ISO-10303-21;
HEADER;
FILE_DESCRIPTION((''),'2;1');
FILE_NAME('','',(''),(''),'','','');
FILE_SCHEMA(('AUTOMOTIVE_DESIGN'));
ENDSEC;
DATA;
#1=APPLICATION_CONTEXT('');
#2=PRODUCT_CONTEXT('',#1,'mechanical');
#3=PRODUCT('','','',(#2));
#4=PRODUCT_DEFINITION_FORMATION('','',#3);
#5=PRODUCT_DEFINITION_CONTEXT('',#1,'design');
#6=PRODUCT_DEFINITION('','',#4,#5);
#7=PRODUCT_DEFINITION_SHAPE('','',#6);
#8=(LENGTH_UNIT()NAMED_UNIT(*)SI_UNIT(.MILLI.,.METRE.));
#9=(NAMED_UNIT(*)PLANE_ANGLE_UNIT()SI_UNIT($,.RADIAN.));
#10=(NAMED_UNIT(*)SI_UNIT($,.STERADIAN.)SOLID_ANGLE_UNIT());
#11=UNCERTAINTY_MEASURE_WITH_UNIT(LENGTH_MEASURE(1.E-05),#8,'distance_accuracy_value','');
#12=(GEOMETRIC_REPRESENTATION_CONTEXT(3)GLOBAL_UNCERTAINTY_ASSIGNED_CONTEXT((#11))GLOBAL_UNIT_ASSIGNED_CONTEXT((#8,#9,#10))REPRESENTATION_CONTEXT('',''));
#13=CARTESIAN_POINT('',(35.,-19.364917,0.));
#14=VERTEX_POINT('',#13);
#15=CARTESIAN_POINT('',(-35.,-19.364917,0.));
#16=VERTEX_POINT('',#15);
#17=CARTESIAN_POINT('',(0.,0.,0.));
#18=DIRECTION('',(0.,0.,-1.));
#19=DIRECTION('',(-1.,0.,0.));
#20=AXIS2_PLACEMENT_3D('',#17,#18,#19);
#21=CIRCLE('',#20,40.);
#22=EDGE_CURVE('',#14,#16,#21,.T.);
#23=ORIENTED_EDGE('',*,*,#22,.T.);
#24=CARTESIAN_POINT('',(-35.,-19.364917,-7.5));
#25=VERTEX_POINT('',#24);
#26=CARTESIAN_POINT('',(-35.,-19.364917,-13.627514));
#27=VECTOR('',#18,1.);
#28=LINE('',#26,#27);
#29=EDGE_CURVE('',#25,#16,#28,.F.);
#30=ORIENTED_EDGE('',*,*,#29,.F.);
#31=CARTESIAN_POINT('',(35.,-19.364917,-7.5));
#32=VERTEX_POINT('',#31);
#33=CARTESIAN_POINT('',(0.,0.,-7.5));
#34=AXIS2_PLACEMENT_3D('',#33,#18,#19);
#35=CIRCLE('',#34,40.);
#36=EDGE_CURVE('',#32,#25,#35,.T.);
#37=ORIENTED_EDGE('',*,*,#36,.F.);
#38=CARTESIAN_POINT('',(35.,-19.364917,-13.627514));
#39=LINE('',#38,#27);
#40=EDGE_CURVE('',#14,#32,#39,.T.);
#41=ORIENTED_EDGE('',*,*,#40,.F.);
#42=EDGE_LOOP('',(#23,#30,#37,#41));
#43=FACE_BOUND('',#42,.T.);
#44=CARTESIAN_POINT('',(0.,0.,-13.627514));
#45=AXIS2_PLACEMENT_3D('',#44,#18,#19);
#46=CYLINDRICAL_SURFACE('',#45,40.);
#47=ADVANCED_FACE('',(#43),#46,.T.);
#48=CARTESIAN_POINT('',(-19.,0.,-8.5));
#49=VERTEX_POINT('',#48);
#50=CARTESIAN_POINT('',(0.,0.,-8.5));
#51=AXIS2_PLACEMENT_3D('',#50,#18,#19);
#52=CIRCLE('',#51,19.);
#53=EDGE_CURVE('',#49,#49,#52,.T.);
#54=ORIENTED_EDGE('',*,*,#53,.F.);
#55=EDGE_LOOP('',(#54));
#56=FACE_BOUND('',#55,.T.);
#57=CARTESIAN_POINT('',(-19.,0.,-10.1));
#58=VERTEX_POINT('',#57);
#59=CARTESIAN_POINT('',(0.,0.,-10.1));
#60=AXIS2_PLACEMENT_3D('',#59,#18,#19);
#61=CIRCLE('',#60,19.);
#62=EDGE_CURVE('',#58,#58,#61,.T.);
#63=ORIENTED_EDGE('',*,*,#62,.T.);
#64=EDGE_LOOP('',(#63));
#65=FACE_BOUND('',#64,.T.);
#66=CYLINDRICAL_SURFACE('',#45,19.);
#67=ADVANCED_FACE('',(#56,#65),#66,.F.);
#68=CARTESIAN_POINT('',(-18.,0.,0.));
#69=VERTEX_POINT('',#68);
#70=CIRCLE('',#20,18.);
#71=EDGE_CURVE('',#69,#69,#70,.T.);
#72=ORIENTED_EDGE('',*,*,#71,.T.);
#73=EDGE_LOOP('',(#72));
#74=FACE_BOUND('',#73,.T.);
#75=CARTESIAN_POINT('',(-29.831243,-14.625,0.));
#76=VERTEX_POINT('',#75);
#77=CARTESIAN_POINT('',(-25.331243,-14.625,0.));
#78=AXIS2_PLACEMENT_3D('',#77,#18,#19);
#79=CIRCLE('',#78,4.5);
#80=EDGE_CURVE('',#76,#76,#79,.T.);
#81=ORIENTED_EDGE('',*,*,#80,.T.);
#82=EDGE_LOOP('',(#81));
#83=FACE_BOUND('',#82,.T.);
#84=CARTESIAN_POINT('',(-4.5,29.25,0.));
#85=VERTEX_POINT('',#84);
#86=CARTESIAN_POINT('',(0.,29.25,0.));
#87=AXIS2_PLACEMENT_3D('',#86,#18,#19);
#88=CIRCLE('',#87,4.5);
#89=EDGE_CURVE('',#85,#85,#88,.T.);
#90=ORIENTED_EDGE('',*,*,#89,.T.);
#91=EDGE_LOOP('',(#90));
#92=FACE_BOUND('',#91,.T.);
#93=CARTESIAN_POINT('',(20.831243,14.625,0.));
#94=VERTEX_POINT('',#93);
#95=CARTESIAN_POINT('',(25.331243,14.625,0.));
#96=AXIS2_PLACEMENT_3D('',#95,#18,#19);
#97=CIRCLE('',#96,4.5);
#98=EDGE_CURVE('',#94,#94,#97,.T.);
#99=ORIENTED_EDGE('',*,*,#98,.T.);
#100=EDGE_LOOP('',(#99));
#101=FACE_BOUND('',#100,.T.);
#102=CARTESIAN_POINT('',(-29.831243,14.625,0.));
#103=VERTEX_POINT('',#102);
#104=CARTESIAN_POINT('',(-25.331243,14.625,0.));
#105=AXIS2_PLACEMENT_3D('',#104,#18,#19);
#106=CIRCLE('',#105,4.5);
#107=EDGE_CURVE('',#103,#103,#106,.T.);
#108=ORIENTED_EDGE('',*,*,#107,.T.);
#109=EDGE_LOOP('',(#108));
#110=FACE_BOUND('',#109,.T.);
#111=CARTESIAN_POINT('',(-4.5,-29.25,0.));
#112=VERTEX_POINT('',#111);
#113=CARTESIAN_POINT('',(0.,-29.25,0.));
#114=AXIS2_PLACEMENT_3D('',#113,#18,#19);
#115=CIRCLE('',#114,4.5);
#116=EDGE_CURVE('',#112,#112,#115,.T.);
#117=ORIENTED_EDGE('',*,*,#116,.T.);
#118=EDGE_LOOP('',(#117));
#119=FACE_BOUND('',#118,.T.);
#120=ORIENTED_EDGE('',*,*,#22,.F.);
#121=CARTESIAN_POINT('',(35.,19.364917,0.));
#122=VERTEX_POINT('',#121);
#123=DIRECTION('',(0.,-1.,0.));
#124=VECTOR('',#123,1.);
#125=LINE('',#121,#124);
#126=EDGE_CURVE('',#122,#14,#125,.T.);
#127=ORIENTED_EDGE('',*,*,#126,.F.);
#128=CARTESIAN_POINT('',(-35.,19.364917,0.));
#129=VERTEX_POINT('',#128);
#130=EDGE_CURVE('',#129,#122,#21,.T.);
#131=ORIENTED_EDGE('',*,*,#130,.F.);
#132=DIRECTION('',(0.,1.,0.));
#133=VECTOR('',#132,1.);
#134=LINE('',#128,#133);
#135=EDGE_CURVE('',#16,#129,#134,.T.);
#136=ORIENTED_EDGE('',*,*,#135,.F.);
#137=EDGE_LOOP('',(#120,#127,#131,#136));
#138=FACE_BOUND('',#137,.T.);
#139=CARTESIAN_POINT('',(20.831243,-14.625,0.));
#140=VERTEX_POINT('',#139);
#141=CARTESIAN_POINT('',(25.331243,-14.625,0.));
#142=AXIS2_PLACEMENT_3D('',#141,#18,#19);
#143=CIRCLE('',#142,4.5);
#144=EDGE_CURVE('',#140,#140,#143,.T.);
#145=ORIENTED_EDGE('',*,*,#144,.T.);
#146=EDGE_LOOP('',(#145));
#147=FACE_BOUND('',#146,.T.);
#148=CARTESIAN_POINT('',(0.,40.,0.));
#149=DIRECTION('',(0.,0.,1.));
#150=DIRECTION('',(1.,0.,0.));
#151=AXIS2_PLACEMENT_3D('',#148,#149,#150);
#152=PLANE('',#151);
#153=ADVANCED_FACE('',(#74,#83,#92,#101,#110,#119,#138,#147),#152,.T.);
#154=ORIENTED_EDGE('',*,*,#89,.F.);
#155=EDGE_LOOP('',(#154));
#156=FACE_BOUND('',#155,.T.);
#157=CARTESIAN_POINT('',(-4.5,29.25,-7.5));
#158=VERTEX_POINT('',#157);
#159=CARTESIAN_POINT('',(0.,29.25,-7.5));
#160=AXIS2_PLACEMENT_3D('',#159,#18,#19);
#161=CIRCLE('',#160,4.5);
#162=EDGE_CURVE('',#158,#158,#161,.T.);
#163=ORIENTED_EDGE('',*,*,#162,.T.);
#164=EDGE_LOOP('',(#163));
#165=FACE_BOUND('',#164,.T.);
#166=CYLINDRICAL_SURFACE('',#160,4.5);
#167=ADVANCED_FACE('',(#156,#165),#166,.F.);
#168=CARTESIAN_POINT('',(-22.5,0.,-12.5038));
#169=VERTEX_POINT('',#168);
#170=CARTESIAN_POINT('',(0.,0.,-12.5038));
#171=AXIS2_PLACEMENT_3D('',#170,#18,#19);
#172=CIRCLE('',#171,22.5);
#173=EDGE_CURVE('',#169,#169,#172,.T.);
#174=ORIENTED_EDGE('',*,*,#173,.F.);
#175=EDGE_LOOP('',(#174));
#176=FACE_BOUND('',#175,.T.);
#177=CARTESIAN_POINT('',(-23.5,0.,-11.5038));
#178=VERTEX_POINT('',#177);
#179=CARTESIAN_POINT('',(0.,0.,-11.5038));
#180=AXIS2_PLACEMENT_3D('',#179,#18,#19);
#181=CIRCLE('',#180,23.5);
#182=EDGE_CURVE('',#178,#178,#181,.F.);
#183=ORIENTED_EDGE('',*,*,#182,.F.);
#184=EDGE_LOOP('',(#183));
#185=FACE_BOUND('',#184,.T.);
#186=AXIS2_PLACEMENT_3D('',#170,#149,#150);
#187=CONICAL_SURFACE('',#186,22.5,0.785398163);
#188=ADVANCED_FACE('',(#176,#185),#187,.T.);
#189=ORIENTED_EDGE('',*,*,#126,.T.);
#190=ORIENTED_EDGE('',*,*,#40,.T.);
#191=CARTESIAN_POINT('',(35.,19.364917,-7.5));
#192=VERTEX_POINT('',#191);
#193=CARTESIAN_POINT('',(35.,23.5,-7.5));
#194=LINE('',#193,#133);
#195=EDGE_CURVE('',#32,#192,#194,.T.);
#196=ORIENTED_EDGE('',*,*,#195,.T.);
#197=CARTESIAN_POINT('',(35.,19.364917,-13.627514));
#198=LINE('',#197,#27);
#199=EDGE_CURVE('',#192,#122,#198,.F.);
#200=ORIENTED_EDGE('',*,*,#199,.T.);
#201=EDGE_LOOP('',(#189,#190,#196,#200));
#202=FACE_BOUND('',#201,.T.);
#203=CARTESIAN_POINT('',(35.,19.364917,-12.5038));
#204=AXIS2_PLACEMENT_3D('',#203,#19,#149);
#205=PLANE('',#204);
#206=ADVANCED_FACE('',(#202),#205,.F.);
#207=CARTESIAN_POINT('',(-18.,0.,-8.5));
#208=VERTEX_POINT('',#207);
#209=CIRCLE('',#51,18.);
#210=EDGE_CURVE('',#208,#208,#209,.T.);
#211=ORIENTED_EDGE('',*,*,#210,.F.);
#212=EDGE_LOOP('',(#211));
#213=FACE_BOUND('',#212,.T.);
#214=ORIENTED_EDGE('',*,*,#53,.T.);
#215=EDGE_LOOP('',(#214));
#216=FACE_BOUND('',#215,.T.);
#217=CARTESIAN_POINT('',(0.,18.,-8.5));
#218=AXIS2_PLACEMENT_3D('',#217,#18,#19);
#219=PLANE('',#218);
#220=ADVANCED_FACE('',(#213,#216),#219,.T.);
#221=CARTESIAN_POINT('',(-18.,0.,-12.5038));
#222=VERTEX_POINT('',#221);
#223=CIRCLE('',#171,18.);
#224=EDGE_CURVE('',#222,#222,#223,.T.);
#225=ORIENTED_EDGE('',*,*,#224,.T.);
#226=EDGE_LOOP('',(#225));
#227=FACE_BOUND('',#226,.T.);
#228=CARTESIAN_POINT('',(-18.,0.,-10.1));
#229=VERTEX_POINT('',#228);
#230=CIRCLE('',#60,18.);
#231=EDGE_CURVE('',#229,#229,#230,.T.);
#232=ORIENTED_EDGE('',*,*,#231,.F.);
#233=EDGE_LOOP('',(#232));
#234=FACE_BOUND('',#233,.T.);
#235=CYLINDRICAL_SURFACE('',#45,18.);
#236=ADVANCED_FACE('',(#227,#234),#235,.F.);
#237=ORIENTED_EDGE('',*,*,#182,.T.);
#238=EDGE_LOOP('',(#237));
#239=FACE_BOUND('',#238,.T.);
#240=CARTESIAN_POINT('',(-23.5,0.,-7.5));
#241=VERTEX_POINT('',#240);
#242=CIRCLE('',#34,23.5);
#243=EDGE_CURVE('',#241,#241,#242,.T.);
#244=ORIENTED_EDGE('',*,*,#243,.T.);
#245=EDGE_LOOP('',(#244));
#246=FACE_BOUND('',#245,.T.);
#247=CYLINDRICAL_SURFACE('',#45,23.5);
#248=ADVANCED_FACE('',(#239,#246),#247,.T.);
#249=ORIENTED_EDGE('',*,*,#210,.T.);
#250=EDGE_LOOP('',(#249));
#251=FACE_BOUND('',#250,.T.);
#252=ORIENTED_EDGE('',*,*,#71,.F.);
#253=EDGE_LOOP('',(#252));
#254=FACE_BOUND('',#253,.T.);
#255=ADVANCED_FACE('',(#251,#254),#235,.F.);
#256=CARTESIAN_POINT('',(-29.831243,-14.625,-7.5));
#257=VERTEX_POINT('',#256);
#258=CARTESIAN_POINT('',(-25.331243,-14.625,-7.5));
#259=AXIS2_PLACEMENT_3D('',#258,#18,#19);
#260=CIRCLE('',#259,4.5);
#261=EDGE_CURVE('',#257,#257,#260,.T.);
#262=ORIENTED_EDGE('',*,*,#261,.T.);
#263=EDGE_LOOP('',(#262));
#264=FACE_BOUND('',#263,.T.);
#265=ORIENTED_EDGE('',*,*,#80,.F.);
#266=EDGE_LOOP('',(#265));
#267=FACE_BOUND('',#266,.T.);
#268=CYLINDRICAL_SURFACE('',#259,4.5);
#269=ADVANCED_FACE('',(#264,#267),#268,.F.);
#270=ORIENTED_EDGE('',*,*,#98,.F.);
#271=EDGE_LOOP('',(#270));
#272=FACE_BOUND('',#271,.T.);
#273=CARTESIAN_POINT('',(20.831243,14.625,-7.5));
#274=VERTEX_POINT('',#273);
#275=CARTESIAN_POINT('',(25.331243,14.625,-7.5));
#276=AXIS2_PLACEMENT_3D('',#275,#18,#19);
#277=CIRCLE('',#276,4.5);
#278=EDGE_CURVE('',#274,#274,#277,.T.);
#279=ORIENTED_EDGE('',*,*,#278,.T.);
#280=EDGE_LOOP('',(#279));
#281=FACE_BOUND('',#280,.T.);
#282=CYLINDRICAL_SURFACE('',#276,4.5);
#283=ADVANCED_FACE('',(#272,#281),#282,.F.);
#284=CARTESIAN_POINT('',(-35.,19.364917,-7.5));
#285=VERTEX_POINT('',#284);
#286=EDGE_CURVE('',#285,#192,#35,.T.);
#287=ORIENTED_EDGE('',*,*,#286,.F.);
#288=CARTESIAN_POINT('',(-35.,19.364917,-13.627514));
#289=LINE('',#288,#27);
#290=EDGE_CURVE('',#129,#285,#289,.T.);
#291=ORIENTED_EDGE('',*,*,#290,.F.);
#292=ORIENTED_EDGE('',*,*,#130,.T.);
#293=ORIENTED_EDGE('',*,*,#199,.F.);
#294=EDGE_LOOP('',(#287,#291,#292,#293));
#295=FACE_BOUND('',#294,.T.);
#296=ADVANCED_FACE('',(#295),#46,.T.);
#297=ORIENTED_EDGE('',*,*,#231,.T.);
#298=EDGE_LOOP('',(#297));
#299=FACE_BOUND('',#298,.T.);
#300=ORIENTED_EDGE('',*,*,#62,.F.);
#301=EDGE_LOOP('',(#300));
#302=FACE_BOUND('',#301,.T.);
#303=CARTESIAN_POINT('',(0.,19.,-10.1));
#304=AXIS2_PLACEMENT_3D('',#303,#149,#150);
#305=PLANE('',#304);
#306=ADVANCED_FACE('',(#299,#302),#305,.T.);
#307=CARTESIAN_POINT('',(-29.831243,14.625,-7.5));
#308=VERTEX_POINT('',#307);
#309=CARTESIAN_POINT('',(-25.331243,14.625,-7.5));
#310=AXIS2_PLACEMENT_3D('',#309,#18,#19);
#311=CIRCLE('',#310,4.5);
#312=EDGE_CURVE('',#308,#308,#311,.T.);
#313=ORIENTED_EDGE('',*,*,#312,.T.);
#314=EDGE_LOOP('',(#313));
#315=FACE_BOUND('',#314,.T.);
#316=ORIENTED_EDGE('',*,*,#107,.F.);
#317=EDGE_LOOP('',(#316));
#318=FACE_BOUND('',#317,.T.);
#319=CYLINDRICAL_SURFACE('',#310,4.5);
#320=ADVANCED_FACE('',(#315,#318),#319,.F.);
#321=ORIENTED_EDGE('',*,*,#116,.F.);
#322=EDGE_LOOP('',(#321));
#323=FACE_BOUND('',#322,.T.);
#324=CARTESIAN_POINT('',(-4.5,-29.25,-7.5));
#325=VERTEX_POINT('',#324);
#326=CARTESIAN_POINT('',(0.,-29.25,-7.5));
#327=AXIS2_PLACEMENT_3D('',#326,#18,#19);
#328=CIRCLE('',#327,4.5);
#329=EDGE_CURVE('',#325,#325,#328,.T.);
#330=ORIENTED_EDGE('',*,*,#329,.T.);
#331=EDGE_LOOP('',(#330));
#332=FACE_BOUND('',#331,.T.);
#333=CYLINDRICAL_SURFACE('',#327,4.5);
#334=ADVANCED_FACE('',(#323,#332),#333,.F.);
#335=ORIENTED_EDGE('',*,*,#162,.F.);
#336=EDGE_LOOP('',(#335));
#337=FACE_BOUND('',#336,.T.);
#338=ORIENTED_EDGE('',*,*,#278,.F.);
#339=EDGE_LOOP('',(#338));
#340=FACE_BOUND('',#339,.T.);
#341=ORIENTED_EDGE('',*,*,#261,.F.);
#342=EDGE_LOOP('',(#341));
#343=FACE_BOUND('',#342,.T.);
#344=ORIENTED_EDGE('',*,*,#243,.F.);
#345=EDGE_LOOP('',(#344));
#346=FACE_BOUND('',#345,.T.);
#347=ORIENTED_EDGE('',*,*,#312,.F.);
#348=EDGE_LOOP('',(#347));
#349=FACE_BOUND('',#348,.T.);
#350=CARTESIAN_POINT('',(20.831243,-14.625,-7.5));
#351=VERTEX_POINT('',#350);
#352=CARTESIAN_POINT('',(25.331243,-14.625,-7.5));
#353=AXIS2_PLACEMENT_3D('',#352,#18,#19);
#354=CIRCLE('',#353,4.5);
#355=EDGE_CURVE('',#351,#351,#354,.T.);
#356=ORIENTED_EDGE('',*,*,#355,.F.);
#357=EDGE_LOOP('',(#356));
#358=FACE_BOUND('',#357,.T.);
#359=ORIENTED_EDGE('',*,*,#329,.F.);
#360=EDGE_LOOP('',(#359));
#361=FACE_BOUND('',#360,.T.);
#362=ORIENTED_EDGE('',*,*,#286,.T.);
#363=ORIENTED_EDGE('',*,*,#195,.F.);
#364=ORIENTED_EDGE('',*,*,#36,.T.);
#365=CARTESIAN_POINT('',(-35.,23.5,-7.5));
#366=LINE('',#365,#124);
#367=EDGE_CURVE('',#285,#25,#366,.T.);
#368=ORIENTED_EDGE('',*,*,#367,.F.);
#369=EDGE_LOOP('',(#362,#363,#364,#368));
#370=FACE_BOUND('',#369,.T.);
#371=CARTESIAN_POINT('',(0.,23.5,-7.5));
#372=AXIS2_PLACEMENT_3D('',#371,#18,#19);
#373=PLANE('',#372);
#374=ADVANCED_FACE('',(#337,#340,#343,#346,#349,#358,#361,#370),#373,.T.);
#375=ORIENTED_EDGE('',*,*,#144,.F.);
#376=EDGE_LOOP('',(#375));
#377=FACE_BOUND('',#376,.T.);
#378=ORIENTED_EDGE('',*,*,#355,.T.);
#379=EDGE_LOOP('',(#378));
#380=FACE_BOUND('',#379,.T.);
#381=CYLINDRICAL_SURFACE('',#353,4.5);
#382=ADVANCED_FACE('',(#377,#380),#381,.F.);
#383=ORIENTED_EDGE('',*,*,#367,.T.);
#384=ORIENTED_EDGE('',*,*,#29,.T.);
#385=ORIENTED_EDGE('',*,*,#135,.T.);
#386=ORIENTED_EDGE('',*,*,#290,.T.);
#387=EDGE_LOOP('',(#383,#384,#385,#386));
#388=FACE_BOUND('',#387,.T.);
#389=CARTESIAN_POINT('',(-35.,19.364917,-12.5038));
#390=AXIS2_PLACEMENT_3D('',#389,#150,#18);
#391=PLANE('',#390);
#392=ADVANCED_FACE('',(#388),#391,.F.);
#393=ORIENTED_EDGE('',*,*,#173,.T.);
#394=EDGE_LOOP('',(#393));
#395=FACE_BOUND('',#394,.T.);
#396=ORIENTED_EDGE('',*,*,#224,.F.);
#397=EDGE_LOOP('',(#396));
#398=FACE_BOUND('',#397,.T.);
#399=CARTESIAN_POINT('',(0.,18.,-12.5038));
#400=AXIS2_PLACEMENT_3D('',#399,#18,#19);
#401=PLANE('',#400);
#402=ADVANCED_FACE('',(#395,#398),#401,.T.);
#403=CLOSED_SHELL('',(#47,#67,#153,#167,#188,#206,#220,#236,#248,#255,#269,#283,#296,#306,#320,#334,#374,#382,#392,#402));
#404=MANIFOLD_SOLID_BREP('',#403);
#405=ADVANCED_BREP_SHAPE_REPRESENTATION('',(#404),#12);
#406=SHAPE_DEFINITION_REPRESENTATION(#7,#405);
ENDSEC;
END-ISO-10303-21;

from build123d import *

# Parameters (mm, degrees)
F_9_0_9_DIAMETER_HOLE1_D = 9
CIRPATTERN1_COUNT        = 6
CHAMFER1_SIZE            = 1
EXTRUDE1_DEPTH           = 58.933971161


with BuildPart() as part:
    # Sketch1 → Revolve1 (revolve)
    with BuildSketch(Plane(origin=(0, 0, 0), x_dir=(0, 0, -1), z_dir=(1, 0, 0)), mode=Mode.PRIVATE) as revolve1_sk:
        Polygon((0, 18), (8.5, 18), (8.5, 19), (10.1, 19), (10.1, 18), (12.5038, 18), (12.5038, 23.5), (7.5, 23.5), (7.5, 40), (0, 40), align=None)
    revolve(revolve1_sk.sketch.rotate(Axis((0, 0, -13.627513848), (0, 0, 1)), 90), axis=Axis((0, 0, -13.627513848), (0, 0, 1)))

    # Ø9.0 (9) Diameter Hole1 (through all)
    with Locations(Plane(origin=(0, 0, -7.5), x_dir=(-1, 0, 0), z_dir=(0, 0, -1))):
        with Locations((0, 29.25)):
            f_9_0_9_diameter_hole1 = Hole(F_9_0_9_DIAMETER_HOLE1_D / 2)

    # CirPattern1: Ø9.0 (9) Diameter Hole1 ×6 about axis
    cirpattern1_axis = Axis((0, 0, 0), (0, 0, 1))
    for i in range(1, CIRPATTERN1_COUNT):
        add(f_9_0_9_diameter_hole1.rotate(cirpattern1_axis, i * 360 / CIRPATTERN1_COUNT), mode=Mode.SUBTRACT)

    # Chamfer1
    chamfer1_edges = [part.edges().sort_by_distance(p)[0] for p in [
        (23.5, 0, -12.5038),
    ]]
    chamfer(chamfer1_edges, length=CHAMFER1_SIZE)

    # Sketch4 → Extrude1 (cut, through all)
    with BuildSketch(Plane.XY):
        with BuildLine():
            Line((-35, 19.364916731), (-35, -19.364916731))
            ThreePointArc((-35, -19.364916731), (-40, 0), (-35, 19.364916731))
        make_face()
        with BuildLine():
            Line((35, 19.364916731), (35, -19.364916731))
            ThreePointArc((35, -19.364916731), (40, 0), (35, 19.364916731))
        make_face()
    extrude(amount=-EXTRUDE1_DEPTH, mode=Mode.SUBTRACT)


solid = part.part
